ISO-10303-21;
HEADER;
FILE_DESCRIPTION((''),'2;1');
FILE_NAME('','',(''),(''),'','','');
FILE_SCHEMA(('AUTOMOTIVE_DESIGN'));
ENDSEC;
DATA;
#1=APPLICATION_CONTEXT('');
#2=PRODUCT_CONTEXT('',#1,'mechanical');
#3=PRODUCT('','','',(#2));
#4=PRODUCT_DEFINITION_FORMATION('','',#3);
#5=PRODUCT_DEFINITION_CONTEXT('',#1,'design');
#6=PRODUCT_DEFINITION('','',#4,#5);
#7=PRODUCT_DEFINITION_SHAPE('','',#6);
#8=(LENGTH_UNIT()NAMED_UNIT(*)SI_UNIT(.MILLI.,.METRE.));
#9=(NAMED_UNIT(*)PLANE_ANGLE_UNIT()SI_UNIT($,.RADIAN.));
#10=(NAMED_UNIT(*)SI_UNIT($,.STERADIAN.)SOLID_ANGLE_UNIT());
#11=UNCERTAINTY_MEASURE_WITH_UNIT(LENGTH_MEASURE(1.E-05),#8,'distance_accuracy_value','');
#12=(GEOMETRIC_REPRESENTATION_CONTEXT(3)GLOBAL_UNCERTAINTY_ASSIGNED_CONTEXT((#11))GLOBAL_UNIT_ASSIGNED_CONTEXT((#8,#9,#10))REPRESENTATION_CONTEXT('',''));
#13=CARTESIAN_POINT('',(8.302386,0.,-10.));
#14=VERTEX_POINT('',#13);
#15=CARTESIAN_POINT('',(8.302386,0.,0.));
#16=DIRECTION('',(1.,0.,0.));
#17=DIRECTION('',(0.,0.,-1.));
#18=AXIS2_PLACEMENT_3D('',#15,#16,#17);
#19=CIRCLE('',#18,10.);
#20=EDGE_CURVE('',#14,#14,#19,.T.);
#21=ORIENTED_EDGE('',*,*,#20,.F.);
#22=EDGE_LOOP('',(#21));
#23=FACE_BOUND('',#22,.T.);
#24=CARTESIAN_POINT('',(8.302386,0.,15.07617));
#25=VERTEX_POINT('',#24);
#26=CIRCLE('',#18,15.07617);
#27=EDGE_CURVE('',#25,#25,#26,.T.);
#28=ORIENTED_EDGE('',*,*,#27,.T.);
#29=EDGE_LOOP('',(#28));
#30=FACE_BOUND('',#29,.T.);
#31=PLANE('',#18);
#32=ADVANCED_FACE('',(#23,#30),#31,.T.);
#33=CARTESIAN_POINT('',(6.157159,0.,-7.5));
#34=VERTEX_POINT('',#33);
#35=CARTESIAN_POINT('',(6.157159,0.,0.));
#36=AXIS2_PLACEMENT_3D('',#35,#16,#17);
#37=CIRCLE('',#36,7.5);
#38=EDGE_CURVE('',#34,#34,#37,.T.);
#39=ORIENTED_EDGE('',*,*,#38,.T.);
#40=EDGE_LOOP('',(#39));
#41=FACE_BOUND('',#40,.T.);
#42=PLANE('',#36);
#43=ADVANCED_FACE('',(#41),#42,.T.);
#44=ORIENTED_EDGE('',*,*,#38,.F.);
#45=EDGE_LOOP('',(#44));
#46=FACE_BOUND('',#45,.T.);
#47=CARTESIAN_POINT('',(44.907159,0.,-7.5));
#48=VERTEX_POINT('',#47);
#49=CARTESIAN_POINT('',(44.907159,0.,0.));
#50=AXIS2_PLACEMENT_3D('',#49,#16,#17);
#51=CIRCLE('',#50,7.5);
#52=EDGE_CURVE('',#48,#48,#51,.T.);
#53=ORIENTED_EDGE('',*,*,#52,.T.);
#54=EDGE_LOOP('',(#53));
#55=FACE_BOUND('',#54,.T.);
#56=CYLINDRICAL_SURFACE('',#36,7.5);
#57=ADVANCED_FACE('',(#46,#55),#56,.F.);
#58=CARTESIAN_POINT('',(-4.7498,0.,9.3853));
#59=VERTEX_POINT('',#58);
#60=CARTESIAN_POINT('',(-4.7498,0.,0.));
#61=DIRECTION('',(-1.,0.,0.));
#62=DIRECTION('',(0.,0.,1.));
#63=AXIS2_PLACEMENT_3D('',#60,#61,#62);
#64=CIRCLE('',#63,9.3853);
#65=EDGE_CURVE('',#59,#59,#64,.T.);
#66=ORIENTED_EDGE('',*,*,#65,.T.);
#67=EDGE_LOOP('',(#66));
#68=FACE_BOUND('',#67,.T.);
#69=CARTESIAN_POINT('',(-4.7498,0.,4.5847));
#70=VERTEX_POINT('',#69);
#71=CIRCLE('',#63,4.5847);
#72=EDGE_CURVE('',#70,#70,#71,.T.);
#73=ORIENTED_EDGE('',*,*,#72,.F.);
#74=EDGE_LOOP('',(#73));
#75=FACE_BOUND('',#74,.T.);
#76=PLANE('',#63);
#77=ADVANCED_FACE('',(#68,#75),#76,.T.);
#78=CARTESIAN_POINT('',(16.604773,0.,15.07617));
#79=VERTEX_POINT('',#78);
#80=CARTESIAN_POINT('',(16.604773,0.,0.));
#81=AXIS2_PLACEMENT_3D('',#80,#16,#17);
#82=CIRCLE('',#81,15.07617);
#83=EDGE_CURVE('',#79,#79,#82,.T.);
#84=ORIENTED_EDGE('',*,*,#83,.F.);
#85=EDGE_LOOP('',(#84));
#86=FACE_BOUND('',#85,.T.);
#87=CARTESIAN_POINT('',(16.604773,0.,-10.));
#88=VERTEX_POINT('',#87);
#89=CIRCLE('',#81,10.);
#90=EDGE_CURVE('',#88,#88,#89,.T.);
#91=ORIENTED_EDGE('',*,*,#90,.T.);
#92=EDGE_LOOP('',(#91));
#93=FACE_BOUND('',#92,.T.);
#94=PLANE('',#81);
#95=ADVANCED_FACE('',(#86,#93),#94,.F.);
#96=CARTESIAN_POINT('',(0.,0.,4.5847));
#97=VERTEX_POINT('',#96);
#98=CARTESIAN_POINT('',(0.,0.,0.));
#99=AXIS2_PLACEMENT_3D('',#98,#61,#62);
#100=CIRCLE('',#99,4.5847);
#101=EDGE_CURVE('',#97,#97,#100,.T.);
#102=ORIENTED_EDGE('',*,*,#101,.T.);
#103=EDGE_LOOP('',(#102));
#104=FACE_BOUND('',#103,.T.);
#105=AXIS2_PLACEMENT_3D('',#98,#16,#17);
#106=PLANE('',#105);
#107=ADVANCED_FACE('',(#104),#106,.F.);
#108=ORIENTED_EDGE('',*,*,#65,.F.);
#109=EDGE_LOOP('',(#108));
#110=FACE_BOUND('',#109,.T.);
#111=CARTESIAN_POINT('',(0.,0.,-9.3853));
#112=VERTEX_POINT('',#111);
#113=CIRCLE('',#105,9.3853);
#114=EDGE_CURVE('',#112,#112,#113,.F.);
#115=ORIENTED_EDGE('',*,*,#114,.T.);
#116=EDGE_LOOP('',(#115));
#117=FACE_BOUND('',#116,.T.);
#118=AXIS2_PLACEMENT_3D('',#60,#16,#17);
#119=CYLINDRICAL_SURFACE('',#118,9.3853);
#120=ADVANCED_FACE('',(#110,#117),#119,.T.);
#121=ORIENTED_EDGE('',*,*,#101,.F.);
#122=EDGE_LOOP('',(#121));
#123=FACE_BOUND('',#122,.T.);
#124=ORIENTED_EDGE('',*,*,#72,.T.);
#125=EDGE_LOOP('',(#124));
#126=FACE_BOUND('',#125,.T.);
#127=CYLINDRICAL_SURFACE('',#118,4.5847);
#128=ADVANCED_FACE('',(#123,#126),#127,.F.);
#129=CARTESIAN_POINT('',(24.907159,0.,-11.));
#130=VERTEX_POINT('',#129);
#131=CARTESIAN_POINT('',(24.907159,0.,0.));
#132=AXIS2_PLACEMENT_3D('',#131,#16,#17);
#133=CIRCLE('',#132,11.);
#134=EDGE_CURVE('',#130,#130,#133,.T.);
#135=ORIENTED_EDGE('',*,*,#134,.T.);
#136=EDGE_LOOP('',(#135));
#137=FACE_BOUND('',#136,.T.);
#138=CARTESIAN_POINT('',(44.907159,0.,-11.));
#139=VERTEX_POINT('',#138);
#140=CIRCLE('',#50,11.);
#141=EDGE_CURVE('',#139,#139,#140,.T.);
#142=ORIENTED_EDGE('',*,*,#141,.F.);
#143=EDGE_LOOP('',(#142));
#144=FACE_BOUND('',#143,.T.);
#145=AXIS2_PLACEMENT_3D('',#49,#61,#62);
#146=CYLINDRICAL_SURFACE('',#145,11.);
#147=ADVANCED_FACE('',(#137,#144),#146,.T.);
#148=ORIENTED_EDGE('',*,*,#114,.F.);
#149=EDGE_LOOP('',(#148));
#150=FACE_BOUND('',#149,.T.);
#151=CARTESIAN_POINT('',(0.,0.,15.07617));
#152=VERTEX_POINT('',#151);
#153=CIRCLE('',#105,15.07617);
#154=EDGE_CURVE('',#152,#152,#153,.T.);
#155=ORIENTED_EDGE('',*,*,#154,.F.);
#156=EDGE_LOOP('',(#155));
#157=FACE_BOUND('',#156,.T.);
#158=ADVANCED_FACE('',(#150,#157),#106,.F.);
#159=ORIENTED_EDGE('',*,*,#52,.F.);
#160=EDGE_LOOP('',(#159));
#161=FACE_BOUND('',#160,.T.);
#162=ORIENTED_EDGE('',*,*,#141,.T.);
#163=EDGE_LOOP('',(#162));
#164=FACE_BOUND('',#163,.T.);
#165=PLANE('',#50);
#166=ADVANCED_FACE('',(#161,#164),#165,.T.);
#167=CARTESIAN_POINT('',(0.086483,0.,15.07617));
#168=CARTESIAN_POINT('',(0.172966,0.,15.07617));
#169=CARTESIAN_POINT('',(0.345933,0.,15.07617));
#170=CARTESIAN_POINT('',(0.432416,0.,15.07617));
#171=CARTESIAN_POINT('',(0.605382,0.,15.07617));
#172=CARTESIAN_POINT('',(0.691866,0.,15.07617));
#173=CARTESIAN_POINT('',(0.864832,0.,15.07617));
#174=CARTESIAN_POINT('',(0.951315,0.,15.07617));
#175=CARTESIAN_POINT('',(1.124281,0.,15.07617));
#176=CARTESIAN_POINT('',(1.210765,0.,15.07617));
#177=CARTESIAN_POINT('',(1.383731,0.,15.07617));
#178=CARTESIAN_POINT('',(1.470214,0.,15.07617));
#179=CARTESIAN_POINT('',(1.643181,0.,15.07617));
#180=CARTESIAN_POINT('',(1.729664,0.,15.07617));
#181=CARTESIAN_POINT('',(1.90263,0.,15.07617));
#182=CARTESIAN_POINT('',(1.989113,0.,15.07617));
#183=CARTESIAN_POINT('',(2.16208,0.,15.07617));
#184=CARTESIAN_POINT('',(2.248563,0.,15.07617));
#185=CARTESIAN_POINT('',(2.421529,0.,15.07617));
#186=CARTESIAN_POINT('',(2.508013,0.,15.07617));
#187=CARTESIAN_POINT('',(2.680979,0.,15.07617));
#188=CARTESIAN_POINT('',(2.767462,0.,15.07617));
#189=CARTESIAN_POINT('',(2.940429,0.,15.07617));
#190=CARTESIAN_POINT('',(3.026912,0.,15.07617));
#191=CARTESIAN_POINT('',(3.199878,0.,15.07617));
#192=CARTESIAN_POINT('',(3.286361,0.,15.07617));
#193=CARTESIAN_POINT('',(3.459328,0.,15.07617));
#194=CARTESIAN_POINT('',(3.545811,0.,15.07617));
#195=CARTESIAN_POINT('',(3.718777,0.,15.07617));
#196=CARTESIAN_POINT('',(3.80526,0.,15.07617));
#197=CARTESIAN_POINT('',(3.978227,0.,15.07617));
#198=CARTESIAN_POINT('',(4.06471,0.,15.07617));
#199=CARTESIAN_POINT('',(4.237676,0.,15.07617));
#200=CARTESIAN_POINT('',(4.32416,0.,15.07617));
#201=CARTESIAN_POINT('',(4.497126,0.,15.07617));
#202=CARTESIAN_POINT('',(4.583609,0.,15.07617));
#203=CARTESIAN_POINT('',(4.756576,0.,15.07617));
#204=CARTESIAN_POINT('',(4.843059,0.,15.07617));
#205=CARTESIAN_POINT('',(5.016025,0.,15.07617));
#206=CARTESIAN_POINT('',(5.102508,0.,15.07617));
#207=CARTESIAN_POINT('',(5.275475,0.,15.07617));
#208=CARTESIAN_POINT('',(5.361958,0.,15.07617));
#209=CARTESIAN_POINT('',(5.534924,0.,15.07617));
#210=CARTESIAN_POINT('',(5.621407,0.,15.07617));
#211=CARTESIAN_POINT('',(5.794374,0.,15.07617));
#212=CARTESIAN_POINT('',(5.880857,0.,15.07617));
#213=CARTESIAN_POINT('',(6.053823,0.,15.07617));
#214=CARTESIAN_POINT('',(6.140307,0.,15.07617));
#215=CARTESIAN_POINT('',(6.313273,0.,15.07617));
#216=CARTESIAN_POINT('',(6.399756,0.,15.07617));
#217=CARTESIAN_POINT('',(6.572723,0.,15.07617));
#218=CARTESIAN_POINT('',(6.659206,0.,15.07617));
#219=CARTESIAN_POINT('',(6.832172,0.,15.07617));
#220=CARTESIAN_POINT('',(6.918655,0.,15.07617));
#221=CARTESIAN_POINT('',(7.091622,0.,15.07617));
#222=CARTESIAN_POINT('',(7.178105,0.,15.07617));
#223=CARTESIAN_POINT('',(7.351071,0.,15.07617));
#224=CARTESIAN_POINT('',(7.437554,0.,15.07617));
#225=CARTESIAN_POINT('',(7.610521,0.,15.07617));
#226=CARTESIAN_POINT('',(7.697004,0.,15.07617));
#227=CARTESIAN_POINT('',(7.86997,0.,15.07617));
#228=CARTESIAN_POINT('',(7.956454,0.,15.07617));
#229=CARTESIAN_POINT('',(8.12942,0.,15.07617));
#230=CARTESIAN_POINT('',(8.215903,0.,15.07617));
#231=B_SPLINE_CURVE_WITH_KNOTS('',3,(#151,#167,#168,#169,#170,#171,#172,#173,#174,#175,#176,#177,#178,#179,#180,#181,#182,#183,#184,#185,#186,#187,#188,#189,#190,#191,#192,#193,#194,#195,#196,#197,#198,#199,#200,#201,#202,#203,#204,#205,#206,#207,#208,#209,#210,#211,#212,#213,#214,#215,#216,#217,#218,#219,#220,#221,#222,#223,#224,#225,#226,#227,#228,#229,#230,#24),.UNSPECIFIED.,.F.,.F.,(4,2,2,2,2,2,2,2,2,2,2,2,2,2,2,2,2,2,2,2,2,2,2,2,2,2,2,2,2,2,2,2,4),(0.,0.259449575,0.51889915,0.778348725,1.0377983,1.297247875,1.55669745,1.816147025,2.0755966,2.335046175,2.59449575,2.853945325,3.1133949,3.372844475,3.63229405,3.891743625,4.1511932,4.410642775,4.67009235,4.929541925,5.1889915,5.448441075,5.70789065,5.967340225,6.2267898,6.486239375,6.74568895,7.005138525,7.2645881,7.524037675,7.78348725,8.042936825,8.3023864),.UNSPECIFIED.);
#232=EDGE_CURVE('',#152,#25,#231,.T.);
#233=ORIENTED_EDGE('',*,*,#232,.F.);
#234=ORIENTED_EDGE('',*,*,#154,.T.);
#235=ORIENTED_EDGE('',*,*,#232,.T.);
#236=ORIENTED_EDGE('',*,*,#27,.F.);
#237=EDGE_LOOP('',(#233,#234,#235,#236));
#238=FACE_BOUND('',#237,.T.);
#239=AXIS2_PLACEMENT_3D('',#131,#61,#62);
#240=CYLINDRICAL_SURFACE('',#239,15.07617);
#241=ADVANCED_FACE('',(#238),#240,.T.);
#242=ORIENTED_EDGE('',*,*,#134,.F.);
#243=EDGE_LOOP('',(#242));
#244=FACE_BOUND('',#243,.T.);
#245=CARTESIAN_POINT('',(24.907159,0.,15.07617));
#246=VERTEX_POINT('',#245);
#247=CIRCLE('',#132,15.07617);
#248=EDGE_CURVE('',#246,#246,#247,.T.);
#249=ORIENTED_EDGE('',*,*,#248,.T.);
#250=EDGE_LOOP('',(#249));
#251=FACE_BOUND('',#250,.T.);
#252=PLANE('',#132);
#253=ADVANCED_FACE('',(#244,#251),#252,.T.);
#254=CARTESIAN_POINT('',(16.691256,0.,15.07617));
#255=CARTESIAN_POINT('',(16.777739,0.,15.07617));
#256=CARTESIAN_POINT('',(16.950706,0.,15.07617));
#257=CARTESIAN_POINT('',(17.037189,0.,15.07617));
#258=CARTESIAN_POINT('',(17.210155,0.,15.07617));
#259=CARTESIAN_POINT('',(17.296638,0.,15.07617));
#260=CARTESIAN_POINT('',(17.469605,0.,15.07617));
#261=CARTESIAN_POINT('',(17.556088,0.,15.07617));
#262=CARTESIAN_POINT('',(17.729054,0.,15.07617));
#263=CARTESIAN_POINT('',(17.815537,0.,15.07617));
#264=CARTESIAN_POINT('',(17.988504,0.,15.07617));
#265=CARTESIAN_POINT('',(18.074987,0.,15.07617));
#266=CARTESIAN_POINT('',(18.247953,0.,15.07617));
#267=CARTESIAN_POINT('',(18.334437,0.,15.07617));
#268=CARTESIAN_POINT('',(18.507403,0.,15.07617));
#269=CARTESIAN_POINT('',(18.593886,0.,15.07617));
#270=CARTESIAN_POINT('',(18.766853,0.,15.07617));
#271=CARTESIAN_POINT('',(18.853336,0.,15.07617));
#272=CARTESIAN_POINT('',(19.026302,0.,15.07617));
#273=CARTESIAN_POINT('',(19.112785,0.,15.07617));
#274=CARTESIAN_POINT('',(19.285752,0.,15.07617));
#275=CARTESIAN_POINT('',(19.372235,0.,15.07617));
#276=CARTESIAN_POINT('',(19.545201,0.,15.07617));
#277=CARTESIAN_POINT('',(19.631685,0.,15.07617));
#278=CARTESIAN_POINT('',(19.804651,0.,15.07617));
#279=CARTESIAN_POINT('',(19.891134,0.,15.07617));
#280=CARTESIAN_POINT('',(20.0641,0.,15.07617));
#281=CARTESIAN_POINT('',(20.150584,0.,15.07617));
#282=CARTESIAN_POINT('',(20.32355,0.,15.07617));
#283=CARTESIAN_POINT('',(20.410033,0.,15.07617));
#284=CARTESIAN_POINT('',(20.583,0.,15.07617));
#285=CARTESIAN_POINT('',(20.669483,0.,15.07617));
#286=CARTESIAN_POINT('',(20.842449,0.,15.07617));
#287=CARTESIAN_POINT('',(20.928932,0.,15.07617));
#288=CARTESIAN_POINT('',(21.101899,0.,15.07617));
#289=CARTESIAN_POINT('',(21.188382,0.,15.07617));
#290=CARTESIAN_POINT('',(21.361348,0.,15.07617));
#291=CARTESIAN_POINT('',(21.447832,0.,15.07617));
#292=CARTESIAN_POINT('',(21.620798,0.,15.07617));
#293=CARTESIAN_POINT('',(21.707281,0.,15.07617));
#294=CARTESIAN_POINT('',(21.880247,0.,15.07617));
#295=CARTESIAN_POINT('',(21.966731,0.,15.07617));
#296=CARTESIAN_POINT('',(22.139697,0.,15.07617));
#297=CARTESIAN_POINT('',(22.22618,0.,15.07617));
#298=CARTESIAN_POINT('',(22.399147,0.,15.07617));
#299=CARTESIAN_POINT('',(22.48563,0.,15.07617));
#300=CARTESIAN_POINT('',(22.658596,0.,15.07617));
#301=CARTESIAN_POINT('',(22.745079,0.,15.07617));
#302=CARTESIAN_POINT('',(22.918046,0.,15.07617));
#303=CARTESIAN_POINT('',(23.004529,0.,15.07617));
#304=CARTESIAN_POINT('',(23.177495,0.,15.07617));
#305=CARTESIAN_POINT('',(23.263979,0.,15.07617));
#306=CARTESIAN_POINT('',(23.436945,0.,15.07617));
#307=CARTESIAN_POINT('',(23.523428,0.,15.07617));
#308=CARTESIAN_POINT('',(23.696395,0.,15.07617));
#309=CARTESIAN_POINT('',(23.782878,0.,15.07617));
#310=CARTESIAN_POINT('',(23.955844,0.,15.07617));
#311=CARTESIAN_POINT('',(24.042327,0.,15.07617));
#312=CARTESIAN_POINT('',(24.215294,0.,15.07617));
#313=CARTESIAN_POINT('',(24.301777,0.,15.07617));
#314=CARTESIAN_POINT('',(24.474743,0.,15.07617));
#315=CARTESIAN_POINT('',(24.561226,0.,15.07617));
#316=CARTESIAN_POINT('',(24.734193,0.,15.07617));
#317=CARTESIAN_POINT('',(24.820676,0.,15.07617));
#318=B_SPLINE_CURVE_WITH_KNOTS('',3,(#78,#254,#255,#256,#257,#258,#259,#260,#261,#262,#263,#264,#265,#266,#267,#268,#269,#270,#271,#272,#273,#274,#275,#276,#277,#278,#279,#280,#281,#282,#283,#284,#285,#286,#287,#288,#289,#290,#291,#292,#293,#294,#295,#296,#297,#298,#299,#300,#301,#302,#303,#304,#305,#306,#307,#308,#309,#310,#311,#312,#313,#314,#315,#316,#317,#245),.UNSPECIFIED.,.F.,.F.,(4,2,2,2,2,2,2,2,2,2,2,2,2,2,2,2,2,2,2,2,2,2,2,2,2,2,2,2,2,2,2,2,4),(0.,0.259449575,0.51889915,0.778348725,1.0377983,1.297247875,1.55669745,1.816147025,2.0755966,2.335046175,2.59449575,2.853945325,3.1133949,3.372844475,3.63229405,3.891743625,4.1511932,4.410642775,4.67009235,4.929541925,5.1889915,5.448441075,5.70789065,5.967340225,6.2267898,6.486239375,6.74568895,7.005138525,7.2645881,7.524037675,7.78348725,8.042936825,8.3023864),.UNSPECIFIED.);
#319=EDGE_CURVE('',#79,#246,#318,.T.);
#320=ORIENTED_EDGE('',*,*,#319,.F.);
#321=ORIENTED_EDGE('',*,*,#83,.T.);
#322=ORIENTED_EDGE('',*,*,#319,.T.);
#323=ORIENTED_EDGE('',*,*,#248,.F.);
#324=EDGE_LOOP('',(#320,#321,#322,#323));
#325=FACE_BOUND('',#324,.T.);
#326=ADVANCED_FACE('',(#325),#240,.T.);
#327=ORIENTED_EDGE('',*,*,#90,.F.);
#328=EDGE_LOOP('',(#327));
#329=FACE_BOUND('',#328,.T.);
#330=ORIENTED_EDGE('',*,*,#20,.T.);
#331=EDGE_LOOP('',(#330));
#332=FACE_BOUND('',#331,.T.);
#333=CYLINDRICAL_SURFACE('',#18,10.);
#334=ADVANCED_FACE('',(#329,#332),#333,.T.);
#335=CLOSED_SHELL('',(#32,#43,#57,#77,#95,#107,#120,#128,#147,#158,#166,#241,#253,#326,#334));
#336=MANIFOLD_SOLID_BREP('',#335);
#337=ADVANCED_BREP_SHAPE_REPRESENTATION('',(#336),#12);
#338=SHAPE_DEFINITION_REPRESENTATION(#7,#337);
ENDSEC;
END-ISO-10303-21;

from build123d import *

# Parameters (mm, degrees)
SKETCH1_R           = 15.07617
BOSS_EXTRUDE1_DEPTH = 24.9071592
SKETCH2_R           = 9.3853
SKETCH2_R_2         = 4.5847
BOSS_EXTRUDE2_DEPTH = 4.7498
SKETCH3_R           = 7.5
CUT_EXTRUDE1_DEPTH  = 18.75
BOSS_EXTRUDE3_START = 20
SKETCH4_R           = 11
SKETCH4_R_2         = 7.5
BOSS_EXTRUDE3_DEPTH = 20
CUT_EXTRUDE4_START  = -8.3023864
SKETCH5_R           = 15.07617
SKETCH5_R_2         = 10
CUT_EXTRUDE4_DEPTH  = 8.3023864


with BuildPart() as part:
    # Sketch1 → Boss-Extrude1 (new body)
    with BuildSketch(Plane(origin=(0, 0, 0), x_dir=(0, 0, -1), z_dir=(1, 0, 0))):
        with Locations(Location((0, 0, 0), (0, 0, 180))):
            Circle(SKETCH1_R)
    extrude(amount=BOSS_EXTRUDE1_DEPTH)

    # Sketch2 → Boss-Extrude2 (add)
    with BuildSketch(Plane.ZY):
        with Locations(Location((0, 0, 0), (0, 0, 180))):
            Circle(SKETCH2_R)
        Circle(SKETCH2_R_2, mode=Mode.SUBTRACT)
    extrude(amount=BOSS_EXTRUDE2_DEPTH)

    # Sketch3 → Cut-Extrude1 (cut)
    with BuildSketch(Plane(origin=(24.9071592, 0, 0), x_dir=(0, 0, -1), z_dir=(1, 0, 0))):
        Circle(SKETCH3_R)
    extrude(amount=-CUT_EXTRUDE1_DEPTH, mode=Mode.SUBTRACT)

    # Sketch4 → Boss-Extrude3 (add)
    with BuildSketch(Plane(origin=(24.9071592, 0, 0), x_dir=(0, 0, -1), z_dir=(1, 0, 0)).offset(BOSS_EXTRUDE3_START)):
        Circle(SKETCH4_R)
        Circle(SKETCH4_R_2, mode=Mode.SUBTRACT)
    extrude(amount=-BOSS_EXTRUDE3_DEPTH)

    # Sketch5 → Cut-Extrude4 (cut)
    with BuildSketch(Plane(origin=(16.6047728, 0, 0), x_dir=(0, 0, -1), z_dir=(1, 0, 0)).offset(CUT_EXTRUDE4_START)):
        with Locations(Location((0, 0, 0), (0, 0, 180))):
            Circle(SKETCH5_R)
        Circle(SKETCH5_R_2, mode=Mode.SUBTRACT)
    extrude(amount=CUT_EXTRUDE4_DEPTH, mode=Mode.SUBTRACT)


solid = part.part
